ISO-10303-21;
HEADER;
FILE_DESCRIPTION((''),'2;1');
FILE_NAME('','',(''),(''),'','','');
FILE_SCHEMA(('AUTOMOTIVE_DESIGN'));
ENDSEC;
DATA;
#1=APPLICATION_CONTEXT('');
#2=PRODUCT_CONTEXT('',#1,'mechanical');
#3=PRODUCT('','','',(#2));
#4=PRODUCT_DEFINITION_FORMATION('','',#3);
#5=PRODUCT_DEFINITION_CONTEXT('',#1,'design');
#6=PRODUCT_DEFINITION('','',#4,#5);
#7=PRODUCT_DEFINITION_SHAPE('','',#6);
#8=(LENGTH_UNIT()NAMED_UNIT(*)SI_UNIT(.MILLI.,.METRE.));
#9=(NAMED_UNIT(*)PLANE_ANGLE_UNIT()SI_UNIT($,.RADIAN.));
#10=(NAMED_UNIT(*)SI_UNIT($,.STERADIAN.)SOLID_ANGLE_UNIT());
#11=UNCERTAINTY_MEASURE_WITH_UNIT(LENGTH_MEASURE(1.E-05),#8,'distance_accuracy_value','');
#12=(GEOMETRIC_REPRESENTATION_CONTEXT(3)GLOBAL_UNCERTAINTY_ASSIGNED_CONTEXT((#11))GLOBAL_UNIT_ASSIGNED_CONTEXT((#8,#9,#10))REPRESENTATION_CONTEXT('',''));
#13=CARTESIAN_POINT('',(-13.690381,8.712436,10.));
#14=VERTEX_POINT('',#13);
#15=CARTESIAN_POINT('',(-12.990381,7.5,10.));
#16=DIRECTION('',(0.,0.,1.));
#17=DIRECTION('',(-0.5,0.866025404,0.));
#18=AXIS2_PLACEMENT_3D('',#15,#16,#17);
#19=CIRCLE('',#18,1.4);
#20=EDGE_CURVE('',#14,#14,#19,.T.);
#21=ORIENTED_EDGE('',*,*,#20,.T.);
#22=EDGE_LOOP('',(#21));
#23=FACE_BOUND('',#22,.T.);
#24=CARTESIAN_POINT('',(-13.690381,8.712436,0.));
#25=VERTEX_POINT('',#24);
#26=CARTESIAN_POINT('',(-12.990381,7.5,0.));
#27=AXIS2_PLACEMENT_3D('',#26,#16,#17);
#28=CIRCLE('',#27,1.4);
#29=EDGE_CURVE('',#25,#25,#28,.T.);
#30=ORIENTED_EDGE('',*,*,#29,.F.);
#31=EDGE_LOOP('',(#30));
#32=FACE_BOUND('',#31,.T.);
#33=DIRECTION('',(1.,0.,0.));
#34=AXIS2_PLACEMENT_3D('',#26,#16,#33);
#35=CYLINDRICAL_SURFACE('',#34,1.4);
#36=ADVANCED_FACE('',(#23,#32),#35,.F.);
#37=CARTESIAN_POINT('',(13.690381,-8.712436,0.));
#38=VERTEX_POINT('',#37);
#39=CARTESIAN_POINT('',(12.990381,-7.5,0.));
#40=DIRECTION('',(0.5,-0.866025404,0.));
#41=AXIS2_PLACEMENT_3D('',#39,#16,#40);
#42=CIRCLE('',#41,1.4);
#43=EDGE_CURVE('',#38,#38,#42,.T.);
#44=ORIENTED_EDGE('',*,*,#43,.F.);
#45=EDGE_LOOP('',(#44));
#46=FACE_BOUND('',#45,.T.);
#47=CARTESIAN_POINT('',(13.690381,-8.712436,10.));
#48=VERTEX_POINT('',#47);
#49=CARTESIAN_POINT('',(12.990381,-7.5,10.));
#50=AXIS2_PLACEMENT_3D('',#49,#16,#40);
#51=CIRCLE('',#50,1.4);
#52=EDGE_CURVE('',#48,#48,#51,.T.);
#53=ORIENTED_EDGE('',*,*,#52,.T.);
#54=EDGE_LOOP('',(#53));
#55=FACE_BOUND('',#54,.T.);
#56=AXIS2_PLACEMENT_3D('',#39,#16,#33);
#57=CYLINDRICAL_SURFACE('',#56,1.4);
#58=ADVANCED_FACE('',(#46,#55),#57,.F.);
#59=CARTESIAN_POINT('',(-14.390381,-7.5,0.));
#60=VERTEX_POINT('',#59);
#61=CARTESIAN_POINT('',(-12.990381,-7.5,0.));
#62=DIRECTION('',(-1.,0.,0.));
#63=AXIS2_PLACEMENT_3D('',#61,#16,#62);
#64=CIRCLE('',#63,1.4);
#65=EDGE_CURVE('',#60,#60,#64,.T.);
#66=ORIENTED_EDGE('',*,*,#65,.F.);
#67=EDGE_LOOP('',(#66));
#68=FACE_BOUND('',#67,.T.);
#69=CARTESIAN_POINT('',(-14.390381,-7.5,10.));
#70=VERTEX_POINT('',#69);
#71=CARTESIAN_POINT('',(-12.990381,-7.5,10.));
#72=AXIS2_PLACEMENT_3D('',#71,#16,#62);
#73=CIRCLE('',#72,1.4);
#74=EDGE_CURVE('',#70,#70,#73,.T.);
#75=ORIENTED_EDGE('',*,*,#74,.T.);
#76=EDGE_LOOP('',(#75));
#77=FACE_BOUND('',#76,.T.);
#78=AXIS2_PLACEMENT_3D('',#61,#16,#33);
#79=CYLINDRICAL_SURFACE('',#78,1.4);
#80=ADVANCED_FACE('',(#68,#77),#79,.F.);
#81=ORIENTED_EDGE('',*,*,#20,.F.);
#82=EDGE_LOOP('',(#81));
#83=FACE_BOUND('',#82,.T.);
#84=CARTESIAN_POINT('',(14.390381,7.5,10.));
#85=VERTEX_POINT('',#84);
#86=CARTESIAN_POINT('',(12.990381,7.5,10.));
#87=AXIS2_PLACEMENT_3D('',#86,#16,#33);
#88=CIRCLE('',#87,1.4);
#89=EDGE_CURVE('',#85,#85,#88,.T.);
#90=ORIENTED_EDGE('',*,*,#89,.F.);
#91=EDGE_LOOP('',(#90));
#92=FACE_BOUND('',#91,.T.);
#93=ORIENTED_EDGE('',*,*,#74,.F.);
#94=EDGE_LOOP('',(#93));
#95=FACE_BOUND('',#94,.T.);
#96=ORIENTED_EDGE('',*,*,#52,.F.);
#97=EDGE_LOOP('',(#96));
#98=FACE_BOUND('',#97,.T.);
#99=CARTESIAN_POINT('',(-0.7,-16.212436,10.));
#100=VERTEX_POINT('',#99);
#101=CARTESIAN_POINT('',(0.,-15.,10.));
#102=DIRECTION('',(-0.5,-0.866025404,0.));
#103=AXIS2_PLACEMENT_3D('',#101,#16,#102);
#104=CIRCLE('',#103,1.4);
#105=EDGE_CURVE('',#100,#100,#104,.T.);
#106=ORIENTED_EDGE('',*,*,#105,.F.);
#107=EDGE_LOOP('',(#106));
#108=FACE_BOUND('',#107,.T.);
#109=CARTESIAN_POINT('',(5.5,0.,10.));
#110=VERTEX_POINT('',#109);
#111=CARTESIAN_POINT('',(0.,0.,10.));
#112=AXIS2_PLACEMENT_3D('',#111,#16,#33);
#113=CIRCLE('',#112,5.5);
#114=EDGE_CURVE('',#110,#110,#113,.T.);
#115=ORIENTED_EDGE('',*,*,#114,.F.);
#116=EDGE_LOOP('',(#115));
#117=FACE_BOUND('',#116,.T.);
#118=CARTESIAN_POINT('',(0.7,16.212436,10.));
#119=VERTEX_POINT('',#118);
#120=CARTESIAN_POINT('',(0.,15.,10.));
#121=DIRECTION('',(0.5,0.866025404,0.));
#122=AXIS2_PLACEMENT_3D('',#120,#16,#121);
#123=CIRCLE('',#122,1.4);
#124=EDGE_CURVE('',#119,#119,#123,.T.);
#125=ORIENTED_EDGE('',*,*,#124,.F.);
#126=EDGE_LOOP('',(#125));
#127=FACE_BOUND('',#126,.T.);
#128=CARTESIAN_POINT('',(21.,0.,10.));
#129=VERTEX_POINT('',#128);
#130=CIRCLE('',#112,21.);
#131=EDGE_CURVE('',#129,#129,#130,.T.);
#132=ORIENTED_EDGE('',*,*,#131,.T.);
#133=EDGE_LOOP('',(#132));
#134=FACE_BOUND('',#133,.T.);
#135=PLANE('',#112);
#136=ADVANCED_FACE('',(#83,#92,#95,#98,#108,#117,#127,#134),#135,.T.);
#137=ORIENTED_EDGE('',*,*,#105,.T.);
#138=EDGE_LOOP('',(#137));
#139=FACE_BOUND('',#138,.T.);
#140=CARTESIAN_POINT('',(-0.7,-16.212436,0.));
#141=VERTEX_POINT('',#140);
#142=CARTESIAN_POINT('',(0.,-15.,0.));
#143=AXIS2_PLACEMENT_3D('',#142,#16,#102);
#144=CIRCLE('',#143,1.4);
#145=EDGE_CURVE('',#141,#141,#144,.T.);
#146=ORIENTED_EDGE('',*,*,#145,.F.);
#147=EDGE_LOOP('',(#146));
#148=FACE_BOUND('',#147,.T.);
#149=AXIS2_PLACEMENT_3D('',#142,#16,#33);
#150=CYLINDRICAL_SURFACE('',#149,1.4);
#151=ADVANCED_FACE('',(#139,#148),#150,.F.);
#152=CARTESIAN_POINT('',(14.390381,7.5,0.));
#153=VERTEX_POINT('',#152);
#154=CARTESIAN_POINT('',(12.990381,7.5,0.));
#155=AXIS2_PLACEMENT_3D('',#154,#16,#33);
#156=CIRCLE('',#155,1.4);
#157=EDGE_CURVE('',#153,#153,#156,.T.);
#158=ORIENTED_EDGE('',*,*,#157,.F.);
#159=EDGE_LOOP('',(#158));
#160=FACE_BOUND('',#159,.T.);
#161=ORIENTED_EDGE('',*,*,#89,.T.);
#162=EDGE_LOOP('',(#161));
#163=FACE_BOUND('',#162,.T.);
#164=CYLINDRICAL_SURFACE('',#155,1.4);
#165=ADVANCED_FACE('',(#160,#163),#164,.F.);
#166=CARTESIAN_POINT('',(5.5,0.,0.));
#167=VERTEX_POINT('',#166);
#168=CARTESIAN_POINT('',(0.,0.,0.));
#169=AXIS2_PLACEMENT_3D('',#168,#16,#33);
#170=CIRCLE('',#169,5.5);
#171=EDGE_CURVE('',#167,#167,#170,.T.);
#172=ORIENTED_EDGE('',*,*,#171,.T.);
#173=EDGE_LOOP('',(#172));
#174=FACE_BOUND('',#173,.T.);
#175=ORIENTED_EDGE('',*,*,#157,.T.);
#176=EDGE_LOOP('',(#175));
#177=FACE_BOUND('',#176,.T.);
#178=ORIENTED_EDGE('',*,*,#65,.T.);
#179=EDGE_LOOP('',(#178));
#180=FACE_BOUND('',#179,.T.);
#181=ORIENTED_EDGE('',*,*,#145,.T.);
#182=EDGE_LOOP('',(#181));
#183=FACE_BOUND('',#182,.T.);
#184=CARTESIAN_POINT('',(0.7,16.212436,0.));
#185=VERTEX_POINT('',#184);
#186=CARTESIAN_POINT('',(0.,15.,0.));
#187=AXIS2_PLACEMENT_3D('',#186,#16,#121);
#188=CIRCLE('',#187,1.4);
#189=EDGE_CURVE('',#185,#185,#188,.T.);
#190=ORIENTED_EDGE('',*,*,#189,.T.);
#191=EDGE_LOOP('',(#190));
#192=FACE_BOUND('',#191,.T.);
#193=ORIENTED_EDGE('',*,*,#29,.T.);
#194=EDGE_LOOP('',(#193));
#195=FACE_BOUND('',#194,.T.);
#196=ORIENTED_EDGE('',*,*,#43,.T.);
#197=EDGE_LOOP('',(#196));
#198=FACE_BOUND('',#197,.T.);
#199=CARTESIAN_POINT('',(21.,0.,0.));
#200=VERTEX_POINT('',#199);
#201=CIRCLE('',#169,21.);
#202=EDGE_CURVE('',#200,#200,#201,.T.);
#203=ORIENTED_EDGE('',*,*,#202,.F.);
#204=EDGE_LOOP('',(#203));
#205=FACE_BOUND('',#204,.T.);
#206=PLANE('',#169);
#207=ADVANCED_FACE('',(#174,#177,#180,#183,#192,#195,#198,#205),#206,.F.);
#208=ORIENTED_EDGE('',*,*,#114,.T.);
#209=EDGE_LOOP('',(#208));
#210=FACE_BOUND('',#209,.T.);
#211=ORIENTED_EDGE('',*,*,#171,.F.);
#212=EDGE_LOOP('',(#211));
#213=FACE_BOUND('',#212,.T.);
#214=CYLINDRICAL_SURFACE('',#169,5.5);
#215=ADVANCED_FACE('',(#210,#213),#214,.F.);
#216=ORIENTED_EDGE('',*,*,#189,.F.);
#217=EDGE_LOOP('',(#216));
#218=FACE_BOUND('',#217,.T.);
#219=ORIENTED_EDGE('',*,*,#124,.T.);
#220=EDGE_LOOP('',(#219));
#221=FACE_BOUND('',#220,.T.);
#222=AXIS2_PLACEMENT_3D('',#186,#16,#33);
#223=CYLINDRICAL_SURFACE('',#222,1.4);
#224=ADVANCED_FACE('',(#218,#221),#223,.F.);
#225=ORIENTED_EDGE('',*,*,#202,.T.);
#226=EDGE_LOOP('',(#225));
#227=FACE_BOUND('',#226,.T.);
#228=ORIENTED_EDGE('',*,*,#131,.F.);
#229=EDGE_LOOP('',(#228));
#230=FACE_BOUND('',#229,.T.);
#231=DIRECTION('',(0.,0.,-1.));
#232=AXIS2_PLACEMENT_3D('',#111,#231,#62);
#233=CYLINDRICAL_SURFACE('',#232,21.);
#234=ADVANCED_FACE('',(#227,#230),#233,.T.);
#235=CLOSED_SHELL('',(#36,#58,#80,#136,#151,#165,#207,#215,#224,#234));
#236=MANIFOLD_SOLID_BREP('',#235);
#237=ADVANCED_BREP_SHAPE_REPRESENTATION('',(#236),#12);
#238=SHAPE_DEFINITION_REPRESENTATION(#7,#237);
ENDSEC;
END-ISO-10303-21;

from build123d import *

# Parameters (mm, degrees)
SKETCH_1_R               = 21
EXTRUDE_1_DEPTH          = 10
SKETCH_2_R               = 1.4
CUT_EXTRUDE_1_DEPTH      = 32.336879232
PATTERN_CIRCULAR_1_COUNT = 6
SKETCH_3_R               = 5.5
CUT_EXTRUDE_2_DEPTH      = 32.336879232


with BuildPart() as part:
    # 草图1 → 凸台-拉伸1 (new body)
    with BuildSketch(Plane.XY):
        Circle(SKETCH_1_R)
    extrude(amount=EXTRUDE_1_DEPTH)

    # 草图2 → 切除-拉伸1 (cut, through all)
    with BuildSketch(Plane.XY.offset(10)):
        with Locations((12.990381057, 7.5)):
            Circle(SKETCH_2_R)
    cut_extrude_1 = extrude(amount=-CUT_EXTRUDE_1_DEPTH, mode=Mode.SUBTRACT)

    # 阵列(圆周)1: 切除-拉伸1 ×6 about axis
    pattern_circular_1_axis = Axis((0, 0, 0), (0, 0, 1))
    for i in range(1, PATTERN_CIRCULAR_1_COUNT):
        add(cut_extrude_1.rotate(pattern_circular_1_axis, i * 360 / PATTERN_CIRCULAR_1_COUNT), mode=Mode.SUBTRACT)

    # 草图3 → 切除-拉伸2 (cut, through all)
    with BuildSketch(Plane.XY.offset(10)):
        Circle(SKETCH_3_R)
    extrude(amount=-CUT_EXTRUDE_2_DEPTH, mode=Mode.SUBTRACT)


solid = part.part
